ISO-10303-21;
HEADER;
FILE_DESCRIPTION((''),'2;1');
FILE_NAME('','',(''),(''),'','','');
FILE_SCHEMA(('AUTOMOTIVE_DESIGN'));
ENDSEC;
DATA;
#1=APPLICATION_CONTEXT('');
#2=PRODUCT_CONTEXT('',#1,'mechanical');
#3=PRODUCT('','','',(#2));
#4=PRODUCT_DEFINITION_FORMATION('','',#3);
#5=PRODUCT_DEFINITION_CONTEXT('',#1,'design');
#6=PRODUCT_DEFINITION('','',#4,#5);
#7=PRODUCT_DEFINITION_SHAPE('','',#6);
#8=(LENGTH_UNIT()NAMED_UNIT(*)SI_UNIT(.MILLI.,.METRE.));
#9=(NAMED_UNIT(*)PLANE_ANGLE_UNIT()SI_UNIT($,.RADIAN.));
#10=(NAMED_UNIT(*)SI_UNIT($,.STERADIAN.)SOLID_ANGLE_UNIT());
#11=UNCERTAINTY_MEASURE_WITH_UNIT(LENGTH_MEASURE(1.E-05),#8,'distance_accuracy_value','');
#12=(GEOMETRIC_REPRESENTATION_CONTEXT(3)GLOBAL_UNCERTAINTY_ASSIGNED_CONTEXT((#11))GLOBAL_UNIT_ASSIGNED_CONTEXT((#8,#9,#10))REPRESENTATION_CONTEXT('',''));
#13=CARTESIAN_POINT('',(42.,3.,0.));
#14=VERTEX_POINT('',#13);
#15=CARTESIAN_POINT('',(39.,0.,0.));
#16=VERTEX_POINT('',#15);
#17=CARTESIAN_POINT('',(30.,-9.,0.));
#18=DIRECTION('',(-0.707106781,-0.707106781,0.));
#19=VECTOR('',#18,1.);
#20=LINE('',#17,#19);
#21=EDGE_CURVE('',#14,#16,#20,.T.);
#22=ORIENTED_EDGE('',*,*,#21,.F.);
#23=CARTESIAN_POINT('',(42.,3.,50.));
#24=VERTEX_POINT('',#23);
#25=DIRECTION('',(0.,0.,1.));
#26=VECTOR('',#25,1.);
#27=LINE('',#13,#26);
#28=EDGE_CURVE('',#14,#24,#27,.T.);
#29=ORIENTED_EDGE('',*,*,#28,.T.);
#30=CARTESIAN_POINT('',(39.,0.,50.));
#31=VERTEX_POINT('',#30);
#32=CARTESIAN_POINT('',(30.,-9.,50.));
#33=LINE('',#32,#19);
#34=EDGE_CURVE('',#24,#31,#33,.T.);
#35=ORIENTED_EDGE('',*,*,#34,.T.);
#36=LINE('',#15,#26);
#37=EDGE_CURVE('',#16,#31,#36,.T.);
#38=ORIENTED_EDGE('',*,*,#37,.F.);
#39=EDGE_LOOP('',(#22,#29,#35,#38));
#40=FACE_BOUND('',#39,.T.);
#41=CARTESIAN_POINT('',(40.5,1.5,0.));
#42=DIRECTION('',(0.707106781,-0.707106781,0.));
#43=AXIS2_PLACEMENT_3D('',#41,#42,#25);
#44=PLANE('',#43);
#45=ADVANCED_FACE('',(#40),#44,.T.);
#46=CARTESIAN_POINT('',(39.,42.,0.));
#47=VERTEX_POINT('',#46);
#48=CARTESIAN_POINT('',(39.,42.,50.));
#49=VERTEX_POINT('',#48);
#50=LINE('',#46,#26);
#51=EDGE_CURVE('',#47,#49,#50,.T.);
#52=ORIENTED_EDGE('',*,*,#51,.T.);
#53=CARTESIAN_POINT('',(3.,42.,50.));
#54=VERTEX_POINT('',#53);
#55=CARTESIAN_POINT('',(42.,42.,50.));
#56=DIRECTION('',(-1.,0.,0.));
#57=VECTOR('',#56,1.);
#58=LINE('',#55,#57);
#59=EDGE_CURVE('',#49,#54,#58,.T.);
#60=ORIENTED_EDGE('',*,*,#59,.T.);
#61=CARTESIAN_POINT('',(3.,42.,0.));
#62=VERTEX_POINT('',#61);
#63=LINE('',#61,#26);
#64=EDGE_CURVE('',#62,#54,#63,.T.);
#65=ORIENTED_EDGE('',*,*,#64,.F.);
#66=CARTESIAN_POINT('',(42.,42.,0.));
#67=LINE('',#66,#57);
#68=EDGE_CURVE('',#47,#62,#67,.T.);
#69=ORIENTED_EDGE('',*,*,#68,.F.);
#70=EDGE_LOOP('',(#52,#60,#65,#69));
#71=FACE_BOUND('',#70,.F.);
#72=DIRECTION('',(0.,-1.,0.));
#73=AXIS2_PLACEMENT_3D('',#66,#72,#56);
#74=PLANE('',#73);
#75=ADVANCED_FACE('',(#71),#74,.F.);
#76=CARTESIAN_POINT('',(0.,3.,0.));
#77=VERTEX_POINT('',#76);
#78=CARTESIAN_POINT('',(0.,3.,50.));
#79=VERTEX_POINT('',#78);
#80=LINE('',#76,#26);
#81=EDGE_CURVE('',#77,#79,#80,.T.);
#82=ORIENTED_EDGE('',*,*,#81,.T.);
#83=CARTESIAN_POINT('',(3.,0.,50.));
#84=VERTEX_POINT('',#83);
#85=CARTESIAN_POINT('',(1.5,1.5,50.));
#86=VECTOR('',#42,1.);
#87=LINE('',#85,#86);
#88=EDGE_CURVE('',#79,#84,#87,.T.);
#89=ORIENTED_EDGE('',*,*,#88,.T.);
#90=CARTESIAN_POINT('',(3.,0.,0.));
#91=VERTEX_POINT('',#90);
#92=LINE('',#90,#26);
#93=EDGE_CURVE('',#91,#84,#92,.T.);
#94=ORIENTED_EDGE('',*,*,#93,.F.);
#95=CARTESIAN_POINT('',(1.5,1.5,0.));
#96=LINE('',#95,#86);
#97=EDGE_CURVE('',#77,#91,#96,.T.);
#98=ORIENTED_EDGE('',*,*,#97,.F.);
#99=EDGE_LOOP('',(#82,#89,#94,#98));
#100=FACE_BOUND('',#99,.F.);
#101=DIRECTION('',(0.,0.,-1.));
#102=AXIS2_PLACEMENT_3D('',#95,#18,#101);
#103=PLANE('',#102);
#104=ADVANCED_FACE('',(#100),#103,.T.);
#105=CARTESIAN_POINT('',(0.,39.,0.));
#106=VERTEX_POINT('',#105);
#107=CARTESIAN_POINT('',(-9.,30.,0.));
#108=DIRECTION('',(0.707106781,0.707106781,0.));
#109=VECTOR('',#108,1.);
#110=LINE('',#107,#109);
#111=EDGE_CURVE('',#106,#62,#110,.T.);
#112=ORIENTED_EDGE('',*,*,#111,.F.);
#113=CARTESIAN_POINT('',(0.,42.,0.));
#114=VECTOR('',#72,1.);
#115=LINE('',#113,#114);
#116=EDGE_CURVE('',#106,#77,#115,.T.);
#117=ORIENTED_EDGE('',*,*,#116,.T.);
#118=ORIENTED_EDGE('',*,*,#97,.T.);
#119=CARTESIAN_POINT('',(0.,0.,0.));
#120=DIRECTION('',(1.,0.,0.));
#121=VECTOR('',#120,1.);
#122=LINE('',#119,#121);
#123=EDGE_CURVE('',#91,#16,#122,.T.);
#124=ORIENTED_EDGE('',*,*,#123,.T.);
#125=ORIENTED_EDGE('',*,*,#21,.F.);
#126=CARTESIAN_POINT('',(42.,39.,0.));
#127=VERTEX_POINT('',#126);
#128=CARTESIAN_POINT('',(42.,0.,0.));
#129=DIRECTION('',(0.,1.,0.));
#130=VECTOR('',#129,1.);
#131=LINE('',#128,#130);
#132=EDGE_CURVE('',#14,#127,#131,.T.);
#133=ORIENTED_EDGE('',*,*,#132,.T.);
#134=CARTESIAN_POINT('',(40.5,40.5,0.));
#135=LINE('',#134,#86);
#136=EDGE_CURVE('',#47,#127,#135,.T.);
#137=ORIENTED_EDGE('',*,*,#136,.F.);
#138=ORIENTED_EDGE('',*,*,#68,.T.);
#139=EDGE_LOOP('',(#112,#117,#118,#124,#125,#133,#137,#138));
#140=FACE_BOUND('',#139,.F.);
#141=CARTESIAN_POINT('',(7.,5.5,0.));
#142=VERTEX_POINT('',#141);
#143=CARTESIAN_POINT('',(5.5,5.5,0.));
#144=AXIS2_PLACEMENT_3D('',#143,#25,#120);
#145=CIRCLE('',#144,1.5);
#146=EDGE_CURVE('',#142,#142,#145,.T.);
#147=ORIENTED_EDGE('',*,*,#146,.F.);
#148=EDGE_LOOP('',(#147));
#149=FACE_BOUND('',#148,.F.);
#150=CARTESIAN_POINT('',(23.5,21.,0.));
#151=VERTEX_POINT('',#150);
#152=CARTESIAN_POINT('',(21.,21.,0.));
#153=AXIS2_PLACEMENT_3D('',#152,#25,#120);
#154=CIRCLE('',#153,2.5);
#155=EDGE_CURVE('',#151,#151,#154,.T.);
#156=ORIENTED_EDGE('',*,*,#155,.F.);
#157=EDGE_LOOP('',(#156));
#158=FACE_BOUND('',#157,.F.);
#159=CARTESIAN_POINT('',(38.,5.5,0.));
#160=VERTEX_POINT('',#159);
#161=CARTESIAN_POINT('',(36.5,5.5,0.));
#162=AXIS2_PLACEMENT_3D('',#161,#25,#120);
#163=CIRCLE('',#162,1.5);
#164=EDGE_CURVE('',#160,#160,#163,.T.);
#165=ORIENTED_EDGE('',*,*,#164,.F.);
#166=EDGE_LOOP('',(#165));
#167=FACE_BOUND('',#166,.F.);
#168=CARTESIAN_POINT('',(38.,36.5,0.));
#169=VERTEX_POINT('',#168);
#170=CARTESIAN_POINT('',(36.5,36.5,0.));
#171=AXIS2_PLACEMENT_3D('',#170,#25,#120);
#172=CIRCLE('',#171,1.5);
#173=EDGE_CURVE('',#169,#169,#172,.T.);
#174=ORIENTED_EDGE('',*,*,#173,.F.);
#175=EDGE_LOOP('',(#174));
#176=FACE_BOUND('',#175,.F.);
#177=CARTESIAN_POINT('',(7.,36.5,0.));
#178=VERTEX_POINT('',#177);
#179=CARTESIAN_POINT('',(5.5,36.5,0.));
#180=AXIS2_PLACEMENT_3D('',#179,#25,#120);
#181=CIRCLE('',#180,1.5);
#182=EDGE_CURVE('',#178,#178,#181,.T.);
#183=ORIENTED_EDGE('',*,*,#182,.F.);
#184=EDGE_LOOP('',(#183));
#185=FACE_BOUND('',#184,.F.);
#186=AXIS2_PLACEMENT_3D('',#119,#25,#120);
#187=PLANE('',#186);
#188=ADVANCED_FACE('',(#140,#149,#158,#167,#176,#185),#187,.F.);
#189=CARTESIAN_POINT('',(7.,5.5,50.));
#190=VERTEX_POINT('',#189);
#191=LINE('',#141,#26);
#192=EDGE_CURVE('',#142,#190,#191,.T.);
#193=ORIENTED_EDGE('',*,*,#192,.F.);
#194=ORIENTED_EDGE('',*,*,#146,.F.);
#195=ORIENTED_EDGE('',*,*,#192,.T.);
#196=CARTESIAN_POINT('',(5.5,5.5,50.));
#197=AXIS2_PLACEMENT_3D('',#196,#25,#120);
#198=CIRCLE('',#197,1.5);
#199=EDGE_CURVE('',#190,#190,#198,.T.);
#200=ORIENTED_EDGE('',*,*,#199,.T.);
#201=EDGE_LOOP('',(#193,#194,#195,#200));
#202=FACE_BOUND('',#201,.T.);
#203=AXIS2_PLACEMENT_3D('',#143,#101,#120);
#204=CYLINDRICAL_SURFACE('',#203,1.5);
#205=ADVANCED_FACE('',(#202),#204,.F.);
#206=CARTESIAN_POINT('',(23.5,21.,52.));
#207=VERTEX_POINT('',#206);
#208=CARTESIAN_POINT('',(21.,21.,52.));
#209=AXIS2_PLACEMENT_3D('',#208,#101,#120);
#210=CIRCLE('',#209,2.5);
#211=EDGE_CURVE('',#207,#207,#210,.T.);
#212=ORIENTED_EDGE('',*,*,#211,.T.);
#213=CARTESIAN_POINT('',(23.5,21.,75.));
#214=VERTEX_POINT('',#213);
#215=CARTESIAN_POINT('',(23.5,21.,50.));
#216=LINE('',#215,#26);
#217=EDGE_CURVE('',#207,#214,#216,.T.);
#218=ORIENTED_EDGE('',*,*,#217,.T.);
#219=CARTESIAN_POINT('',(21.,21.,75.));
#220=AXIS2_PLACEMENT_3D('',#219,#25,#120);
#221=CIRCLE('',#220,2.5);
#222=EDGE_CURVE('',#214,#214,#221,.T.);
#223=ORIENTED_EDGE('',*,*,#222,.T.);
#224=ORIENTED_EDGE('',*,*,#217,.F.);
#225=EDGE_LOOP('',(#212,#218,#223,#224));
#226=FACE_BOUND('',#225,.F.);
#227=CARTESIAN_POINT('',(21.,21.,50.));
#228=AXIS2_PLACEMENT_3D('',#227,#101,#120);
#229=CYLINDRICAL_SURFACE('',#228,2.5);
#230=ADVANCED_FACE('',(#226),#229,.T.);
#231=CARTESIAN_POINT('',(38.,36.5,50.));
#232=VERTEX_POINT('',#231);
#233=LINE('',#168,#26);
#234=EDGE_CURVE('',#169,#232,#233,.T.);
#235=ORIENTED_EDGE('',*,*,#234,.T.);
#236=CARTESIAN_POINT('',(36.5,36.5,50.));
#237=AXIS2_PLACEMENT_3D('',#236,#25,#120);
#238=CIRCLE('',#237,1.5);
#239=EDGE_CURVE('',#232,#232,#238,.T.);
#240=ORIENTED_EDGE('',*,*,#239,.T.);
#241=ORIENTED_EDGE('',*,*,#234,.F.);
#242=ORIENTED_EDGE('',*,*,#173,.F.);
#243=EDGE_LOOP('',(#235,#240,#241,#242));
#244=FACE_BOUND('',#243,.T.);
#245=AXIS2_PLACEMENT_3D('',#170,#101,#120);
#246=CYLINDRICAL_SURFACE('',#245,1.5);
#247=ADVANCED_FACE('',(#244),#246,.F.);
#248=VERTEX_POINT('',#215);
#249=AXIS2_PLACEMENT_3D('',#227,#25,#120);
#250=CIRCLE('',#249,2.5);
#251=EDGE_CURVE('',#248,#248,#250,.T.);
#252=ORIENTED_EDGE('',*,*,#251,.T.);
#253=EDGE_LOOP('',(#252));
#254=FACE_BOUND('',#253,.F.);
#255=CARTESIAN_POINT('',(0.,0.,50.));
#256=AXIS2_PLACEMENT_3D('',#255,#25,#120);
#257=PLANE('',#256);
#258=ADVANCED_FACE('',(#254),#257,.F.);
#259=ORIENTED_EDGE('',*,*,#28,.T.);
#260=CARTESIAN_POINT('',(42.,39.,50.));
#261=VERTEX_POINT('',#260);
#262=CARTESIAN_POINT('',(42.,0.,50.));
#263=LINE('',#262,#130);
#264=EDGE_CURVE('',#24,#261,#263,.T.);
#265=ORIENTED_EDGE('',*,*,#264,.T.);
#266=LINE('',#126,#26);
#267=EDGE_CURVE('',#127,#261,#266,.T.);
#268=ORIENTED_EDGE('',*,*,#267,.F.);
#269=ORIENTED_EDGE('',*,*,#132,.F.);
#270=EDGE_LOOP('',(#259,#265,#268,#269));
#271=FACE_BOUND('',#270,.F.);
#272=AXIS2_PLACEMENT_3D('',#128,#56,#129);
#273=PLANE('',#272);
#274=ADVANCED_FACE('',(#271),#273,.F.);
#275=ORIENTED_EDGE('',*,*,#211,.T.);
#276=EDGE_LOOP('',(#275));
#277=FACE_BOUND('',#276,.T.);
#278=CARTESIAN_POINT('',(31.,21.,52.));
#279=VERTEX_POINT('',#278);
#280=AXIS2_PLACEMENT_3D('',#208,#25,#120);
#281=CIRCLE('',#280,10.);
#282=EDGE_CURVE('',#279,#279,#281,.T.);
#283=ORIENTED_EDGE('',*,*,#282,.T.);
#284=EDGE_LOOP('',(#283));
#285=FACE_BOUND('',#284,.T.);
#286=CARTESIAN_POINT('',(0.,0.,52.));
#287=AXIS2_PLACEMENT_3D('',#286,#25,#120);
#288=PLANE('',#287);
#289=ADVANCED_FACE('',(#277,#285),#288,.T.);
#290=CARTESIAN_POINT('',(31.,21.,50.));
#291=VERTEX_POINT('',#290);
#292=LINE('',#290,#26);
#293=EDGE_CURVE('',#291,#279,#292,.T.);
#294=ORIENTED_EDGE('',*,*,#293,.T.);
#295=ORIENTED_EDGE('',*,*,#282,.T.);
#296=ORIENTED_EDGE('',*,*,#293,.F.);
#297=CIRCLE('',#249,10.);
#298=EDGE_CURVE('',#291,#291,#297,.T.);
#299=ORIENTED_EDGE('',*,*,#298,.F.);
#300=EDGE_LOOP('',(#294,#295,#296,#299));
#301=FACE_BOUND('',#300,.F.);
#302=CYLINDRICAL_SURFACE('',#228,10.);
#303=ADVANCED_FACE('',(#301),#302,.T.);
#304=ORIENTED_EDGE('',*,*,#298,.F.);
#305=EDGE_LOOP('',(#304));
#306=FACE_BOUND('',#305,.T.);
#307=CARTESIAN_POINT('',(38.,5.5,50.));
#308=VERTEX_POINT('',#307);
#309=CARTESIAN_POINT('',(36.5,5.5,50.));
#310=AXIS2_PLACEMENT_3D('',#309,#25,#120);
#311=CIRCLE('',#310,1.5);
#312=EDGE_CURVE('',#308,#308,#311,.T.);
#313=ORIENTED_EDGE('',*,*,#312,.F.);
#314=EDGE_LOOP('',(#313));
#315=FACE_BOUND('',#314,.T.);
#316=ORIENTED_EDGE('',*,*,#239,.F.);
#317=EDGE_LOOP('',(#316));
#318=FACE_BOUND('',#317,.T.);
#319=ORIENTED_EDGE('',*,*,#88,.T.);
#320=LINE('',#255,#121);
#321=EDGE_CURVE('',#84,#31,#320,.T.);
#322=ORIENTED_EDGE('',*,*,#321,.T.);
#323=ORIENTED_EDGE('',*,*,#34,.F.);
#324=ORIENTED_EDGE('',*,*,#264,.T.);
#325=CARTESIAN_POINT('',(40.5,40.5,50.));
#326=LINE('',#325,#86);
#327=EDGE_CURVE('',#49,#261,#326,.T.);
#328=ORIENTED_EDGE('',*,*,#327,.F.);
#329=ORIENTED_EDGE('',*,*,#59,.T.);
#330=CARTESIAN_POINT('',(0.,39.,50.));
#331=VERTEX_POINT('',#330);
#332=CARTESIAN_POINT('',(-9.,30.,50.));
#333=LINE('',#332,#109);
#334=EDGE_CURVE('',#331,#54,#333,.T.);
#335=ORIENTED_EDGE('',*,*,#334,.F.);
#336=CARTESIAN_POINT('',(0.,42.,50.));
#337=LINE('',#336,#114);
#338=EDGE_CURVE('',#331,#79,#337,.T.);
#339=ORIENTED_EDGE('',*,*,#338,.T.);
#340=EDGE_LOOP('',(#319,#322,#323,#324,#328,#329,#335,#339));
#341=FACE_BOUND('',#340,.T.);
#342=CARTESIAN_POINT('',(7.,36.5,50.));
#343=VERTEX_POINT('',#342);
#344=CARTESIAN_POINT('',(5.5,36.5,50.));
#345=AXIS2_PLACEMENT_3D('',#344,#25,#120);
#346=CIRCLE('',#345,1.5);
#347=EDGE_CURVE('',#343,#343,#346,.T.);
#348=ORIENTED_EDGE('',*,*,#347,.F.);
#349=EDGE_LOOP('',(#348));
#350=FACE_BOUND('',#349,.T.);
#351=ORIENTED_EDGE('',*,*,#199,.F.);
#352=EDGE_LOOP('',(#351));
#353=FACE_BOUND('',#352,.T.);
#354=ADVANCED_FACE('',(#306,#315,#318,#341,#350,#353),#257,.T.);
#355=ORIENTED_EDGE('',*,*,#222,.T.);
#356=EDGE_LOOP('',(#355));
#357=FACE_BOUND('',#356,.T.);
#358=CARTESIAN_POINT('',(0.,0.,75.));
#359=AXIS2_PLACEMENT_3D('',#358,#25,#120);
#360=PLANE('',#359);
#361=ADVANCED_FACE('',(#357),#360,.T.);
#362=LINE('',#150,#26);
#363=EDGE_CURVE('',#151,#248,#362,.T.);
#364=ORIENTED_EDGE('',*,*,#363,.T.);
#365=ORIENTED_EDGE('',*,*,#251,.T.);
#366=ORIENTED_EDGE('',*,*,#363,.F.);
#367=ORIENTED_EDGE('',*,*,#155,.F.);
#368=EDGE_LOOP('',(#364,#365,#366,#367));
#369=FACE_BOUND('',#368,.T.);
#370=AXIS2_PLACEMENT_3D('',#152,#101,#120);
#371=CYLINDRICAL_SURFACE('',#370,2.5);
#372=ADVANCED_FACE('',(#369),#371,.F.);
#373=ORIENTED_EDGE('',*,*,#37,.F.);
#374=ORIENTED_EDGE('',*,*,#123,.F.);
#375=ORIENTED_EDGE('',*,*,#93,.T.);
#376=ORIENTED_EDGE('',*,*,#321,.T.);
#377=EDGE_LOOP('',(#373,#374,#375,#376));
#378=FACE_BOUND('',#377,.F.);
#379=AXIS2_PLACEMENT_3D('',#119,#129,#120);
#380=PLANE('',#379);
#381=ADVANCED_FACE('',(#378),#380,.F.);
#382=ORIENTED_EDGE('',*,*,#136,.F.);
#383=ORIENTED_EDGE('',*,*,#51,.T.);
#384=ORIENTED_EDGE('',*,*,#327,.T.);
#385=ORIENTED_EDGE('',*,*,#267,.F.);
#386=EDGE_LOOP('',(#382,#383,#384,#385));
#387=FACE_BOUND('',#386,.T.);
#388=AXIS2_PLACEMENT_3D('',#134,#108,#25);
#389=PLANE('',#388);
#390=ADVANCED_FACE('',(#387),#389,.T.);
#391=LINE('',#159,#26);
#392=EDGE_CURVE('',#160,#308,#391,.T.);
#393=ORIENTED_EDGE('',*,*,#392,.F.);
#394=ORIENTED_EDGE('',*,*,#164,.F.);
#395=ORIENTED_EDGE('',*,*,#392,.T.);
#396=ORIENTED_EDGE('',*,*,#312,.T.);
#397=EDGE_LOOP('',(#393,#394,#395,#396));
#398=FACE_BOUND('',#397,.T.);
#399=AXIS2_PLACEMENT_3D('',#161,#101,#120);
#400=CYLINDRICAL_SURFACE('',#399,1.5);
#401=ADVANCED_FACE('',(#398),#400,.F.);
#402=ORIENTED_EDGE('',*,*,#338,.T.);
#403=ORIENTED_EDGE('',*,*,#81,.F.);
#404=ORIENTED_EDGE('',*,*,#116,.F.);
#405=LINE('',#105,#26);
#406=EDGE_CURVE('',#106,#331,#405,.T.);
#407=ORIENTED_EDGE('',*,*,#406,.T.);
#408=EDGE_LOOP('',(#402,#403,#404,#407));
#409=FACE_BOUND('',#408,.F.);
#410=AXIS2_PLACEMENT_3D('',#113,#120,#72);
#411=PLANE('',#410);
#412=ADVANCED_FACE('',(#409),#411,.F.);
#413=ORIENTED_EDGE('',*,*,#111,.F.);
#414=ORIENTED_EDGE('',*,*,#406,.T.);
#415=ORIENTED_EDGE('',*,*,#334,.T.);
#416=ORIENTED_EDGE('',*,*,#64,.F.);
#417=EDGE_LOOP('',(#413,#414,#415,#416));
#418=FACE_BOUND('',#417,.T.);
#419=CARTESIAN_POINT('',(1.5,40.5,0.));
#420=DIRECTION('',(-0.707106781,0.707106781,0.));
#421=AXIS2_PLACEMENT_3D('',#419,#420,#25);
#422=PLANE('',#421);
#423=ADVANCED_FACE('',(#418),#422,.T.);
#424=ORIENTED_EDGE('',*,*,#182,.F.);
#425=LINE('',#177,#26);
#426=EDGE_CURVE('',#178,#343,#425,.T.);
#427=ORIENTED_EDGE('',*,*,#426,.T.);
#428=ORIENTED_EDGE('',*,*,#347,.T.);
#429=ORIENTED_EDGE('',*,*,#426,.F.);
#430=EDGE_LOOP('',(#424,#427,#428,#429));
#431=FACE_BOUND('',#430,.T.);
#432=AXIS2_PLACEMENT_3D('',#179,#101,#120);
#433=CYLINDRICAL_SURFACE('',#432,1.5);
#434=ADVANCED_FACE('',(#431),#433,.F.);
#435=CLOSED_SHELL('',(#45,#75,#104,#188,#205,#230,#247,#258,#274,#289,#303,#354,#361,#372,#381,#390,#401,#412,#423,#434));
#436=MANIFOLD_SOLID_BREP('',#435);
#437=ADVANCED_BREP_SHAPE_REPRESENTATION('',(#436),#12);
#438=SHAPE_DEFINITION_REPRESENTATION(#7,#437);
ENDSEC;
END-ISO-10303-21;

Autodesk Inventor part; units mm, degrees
ref_plane "YZ Plane" through (0, 0, 0) normal (1, 0, 0) x (0, 1, 0)
ref_plane "XZ Plane" through (0, 0, 0) normal (0, 1, 0) x (-1, 0, 0)
ref_plane "XY Plane" through (0, 0, 0) normal (0, 0, 1) x (1, 0, 0)
sketch "Sketch1" plane through (0, 0, 0) normal (0, 0, 1) x (1, 0, 0)
  line L0 (0, 0) -> (42, 0)
  line L1 (42, 0) -> (42, 42)
  line L2 (42, 42) -> (0, 42)
  line L3 (0, 42) -> (0, 0)
  line L4 (5.5, 36.5) -> (36.5, 36.5) construction
  line L5 (36.5, 36.5) -> (36.5, 5.5) construction
  line L6 (36.5, 5.5) -> (5.5, 5.5) construction
  line L7 (5.5, 5.5) -> (5.5, 36.5) construction
  circle A0 centre (5.5, 36.5) radius 1.5
  circle A1 centre (36.5, 36.5) radius 1.5
  circle A2 centre (36.5, 5.5) radius 1.5
  circle A3 centre (5.5, 5.5) radius 1.5
  circle A4 centre (21, 21) radius 2.5
  point P0 (21, 42)
  point P1 (42, 21)
  dimension "d0" = 42
  dimension "d1" = 42
  dimension "d2" = 31
  dimension "d3" = 3
  dimension "d4" = 3
  dimension "d5" = 3
  dimension "d6" = 3
  dimension "d9" = 5
extrude "Extrusion1" add sketch "Sketch1" along normal blind 50
chamfer "Chamfer1" distance 3 angle 45 4 edges at (42, 42, 25) (42, 0, 25) (0, 0, 25) (0, 42, 25)
sketch "Sketch2" plane through (0, 0, 50) normal (0, 0, 1) x (1, 0, 0)
  circle A0 centre (21, 21) radius 2.5 construction
  circle A1 centre (21, 21) radius 10
  point P0 (0, 0)
  dimension "d13" = 20
sketch "Sketch3" plane through (0, 0, 50) normal (0, 0, 1) x (1, 0, 0)
  circle A0 centre (21, 21) radius 2.5 projected
  point P0 (0, 0)
extrude "Extrusion2" add sketch "Sketch3" along normal blind 25
extrude "Extrusion3" add sketch "Sketch2" along normal blind 2
properties part number "NEMA42"
